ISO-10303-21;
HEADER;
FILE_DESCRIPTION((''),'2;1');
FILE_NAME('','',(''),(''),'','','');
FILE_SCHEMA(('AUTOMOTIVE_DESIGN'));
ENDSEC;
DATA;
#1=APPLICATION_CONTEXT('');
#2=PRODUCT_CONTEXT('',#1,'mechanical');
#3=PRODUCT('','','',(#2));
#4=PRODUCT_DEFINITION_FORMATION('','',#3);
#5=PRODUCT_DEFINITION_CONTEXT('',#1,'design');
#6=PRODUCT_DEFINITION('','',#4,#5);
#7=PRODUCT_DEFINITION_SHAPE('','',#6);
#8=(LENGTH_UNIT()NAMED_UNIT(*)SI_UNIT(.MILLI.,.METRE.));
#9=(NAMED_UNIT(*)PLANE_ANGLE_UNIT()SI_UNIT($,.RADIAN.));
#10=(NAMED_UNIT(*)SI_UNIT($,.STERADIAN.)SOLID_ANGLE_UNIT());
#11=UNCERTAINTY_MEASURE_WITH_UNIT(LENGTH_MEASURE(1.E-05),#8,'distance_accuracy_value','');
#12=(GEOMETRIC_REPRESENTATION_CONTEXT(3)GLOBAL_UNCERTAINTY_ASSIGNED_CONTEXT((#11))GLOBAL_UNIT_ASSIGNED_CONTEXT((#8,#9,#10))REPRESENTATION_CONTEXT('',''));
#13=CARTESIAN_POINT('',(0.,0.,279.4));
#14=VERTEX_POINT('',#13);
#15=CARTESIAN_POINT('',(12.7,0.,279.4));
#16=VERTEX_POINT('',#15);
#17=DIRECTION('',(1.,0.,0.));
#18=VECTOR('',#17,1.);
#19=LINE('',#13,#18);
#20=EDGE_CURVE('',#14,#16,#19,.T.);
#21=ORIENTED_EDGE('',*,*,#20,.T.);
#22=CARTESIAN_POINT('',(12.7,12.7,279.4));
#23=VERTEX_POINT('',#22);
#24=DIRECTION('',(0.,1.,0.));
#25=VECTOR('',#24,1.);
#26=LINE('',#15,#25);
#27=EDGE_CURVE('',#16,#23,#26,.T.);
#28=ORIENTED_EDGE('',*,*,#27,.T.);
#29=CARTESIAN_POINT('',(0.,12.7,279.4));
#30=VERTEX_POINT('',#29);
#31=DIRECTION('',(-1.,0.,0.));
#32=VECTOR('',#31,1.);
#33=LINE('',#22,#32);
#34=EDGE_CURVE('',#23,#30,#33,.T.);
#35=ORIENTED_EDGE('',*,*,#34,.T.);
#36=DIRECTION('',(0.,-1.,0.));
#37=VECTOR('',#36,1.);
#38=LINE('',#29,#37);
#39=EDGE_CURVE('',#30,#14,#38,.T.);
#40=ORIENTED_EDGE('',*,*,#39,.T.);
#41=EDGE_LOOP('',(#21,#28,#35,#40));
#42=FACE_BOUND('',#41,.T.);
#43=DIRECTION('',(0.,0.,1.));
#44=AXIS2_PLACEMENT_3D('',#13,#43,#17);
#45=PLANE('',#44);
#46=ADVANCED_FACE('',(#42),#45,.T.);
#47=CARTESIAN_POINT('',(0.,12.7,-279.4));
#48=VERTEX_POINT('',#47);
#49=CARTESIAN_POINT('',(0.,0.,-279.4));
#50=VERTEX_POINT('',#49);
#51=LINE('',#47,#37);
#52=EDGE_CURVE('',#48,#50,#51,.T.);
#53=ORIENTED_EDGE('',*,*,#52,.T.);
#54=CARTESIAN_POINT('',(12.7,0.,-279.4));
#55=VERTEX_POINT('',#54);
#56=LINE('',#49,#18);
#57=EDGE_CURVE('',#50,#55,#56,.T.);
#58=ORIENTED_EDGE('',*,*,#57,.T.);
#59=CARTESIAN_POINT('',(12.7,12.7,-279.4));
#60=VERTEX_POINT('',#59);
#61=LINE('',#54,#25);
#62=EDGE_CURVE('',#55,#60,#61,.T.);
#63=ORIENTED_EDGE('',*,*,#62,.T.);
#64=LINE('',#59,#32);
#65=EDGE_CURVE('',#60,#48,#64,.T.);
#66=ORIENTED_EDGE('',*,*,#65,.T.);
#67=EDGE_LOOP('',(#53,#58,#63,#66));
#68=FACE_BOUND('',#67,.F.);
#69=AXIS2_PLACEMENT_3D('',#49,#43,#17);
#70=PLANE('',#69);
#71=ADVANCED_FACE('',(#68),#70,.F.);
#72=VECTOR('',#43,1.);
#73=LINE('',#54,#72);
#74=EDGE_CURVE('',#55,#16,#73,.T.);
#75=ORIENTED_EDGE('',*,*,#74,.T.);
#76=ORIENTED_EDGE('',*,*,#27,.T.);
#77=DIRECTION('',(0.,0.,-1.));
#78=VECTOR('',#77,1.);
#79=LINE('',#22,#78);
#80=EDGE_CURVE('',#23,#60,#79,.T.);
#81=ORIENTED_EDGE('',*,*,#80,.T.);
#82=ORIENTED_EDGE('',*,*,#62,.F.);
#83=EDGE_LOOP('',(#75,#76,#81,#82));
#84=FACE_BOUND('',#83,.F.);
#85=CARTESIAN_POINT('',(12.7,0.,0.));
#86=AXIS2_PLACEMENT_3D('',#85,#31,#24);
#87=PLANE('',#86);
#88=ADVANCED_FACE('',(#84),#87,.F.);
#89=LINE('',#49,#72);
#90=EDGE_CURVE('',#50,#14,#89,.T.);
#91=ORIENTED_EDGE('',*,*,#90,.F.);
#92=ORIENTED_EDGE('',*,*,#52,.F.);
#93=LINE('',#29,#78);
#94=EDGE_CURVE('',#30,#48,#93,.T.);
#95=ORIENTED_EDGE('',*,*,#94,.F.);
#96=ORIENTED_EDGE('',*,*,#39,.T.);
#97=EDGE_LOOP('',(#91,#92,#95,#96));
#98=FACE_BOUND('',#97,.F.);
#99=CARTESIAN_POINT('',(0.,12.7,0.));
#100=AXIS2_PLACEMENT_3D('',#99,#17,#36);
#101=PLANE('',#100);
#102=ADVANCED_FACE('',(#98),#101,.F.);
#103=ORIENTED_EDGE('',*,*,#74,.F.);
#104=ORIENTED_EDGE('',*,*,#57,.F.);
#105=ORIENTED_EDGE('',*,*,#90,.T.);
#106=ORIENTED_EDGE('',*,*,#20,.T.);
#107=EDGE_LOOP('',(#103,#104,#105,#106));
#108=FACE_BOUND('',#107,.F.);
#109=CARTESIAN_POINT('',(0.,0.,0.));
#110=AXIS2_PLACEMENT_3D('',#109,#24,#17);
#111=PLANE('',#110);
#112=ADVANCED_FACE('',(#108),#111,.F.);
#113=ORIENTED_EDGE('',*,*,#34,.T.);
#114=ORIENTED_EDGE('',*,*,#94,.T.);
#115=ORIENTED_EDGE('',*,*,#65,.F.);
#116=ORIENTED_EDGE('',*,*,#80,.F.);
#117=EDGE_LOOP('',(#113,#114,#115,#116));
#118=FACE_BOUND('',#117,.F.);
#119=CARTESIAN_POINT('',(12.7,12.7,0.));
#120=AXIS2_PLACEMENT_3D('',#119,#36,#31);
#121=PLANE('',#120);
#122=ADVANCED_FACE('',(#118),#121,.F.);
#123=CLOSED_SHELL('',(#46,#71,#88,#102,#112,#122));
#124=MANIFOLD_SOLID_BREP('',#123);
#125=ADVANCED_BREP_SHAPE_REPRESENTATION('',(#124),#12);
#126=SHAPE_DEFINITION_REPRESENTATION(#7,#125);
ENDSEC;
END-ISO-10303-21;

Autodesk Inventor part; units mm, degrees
ref_plane "YZ Plane" through (0, 0, 0) normal (1, 0, 0) x (0, 1, 0)
ref_plane "XZ Plane" through (0, 0, 0) normal (0, 1, 0) x (-1, 0, 0)
ref_plane "XY Plane" through (0, 0, 0) normal (0, 0, 1) x (1, 0, 0)
sketch "Sketch1" plane through (0, 0, 0) normal (0, 0, 1) x (1, 0, 0)
  line L0 (0, 0) -> (12.7, 0)
  line L1 (12.7, 0) -> (12.7, 12.7)
  line L2 (12.7, 12.7) -> (0, 12.7)
  line L3 (0, 12.7) -> (0, 0)
  dimension "d0" = 12.7
  dimension "d1" = 12.7
extrude "Extrusion1" add sketch "Sketch1" along normal mid plane 558.8
ref_plane "Work Plane2" through (0, 0, 0) normal (0, 0, 1) x (1, 0, 0)
sketch "Sketch2" plane through (0, 12.7, -279.4) normal (0, 1, 0) x (1, 0, 0)
  circle A0 centre (-130.048, -279.4) radius 273.05 construction
  line L0 (12.7, -558.8) -> (0, -558.8) projected
  line L1 (0, 0) -> (0, -558.8) projected
  circle A1 centre (-130.048, -279.4) radius 273.05
  circle A2 centre (-130.048, -279.4) radius 457.3654
  point P0 (0, -279.4)
  dimension "d4" = 546.1
  dimension "d5" = 279.4
  dimension "d6" = 130.048
properties part number "CAR_003_PoplarBrace" material "Wood (Birch)"
